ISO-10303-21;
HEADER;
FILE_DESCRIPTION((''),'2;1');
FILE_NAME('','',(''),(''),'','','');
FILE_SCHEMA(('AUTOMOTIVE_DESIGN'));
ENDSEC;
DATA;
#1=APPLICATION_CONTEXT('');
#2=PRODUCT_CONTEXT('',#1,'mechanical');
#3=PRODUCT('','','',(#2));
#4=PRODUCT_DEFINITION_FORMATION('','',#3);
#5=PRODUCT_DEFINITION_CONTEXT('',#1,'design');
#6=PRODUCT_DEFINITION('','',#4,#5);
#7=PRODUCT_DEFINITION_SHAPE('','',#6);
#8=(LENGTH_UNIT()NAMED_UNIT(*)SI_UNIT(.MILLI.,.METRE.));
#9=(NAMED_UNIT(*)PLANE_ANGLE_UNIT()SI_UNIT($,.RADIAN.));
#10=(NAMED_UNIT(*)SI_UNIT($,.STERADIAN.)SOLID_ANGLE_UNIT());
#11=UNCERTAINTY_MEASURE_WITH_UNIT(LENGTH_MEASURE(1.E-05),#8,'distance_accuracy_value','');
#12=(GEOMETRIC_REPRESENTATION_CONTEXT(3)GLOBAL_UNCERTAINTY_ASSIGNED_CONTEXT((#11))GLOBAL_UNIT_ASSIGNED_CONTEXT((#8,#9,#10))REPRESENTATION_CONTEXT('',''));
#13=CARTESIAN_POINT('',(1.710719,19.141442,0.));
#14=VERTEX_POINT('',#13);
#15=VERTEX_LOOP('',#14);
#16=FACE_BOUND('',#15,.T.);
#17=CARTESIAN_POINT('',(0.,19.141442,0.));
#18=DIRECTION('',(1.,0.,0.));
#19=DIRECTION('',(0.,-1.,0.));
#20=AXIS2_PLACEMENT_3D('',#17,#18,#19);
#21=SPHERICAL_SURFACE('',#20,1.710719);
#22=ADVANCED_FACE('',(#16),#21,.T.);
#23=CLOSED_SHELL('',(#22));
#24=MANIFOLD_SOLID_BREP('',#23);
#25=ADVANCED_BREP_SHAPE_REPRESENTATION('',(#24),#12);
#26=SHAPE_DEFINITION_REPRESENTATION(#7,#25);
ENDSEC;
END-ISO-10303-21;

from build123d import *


with BuildPart() as part:
    # Эскиз1 → Повернуть1 (revolve)
    with BuildSketch(Plane.XY):
        with BuildLine():
            Line((1.710719086, 19.141442232), (-1.710719086, 19.141442232))
            ThreePointArc((-1.710719086, 19.141442232), (0, 20.852161318), (1.710719086, 19.141442232))
        make_face()
    revolve(axis=Axis((3.687675502, 19.141442232, 0), (-1, 0, 0)))


solid = part.part
